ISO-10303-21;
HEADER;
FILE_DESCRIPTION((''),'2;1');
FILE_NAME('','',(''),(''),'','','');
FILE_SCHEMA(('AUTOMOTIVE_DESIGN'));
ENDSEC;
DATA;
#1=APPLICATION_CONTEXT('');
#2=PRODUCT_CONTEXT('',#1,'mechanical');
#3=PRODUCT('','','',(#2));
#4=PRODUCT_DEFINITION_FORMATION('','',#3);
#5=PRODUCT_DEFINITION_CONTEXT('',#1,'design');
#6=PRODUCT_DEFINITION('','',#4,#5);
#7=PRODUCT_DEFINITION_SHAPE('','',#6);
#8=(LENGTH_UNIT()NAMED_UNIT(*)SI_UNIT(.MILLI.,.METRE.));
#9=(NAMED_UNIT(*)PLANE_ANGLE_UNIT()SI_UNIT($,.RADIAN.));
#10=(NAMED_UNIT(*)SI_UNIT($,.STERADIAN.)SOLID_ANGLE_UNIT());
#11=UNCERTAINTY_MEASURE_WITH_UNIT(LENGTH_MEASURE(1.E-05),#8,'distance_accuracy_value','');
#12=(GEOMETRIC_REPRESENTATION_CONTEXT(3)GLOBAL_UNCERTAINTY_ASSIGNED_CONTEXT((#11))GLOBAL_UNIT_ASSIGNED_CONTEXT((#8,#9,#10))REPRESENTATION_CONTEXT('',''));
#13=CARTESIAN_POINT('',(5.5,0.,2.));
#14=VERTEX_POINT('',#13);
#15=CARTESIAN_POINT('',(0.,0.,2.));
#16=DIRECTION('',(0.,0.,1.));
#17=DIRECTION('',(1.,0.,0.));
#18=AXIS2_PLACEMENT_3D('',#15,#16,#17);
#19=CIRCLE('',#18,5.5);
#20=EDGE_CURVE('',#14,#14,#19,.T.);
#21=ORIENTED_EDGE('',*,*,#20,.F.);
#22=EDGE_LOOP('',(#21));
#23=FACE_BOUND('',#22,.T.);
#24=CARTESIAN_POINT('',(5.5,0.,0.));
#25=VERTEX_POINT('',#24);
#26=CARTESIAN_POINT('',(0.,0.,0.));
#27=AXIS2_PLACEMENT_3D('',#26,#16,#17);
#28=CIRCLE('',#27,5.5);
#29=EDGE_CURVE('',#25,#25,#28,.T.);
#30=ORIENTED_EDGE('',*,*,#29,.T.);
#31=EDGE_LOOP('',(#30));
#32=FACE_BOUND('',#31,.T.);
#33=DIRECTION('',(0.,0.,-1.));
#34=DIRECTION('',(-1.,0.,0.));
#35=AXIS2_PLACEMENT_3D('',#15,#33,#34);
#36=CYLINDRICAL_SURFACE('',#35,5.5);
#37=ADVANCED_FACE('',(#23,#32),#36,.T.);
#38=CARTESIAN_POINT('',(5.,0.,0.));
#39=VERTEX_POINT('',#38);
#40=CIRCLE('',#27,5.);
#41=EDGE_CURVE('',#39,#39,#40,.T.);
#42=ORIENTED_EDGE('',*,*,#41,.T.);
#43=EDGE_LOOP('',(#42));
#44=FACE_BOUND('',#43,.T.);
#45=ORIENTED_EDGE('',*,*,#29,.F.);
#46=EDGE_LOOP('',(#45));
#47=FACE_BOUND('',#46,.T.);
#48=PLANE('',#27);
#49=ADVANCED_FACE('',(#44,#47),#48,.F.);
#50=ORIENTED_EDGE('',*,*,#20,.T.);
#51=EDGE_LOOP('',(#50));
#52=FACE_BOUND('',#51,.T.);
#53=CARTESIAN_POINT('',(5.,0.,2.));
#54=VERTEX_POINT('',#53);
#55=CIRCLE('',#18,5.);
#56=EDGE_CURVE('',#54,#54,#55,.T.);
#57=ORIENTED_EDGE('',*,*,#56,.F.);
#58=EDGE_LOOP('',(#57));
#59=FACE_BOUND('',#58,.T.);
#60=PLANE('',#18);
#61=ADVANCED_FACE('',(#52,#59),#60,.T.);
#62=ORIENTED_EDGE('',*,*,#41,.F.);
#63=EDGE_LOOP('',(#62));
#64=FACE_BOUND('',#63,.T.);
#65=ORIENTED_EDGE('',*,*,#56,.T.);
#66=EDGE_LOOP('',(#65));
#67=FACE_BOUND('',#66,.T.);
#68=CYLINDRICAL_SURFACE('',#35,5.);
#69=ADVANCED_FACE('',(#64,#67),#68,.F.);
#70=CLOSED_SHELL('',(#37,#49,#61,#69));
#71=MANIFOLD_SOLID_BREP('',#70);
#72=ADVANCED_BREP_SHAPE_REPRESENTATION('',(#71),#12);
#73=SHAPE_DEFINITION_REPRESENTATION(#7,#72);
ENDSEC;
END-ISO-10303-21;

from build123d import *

# Parameters (mm, degrees)
SKIZZE1_R                       = 5.5
SKIZZE1_R_2                     = 5
AUFSATZ_LINEAR_AUSTRAGEN1_DEPTH = 2


with BuildPart() as part:
    # Skizze1 → Aufsatz-Linear austragen1 (new body)
    with BuildSketch(Plane.XY):
        Circle(SKIZZE1_R)
        Circle(SKIZZE1_R_2, mode=Mode.SUBTRACT)
    extrude(amount=AUFSATZ_LINEAR_AUSTRAGEN1_DEPTH)


solid = part.part
